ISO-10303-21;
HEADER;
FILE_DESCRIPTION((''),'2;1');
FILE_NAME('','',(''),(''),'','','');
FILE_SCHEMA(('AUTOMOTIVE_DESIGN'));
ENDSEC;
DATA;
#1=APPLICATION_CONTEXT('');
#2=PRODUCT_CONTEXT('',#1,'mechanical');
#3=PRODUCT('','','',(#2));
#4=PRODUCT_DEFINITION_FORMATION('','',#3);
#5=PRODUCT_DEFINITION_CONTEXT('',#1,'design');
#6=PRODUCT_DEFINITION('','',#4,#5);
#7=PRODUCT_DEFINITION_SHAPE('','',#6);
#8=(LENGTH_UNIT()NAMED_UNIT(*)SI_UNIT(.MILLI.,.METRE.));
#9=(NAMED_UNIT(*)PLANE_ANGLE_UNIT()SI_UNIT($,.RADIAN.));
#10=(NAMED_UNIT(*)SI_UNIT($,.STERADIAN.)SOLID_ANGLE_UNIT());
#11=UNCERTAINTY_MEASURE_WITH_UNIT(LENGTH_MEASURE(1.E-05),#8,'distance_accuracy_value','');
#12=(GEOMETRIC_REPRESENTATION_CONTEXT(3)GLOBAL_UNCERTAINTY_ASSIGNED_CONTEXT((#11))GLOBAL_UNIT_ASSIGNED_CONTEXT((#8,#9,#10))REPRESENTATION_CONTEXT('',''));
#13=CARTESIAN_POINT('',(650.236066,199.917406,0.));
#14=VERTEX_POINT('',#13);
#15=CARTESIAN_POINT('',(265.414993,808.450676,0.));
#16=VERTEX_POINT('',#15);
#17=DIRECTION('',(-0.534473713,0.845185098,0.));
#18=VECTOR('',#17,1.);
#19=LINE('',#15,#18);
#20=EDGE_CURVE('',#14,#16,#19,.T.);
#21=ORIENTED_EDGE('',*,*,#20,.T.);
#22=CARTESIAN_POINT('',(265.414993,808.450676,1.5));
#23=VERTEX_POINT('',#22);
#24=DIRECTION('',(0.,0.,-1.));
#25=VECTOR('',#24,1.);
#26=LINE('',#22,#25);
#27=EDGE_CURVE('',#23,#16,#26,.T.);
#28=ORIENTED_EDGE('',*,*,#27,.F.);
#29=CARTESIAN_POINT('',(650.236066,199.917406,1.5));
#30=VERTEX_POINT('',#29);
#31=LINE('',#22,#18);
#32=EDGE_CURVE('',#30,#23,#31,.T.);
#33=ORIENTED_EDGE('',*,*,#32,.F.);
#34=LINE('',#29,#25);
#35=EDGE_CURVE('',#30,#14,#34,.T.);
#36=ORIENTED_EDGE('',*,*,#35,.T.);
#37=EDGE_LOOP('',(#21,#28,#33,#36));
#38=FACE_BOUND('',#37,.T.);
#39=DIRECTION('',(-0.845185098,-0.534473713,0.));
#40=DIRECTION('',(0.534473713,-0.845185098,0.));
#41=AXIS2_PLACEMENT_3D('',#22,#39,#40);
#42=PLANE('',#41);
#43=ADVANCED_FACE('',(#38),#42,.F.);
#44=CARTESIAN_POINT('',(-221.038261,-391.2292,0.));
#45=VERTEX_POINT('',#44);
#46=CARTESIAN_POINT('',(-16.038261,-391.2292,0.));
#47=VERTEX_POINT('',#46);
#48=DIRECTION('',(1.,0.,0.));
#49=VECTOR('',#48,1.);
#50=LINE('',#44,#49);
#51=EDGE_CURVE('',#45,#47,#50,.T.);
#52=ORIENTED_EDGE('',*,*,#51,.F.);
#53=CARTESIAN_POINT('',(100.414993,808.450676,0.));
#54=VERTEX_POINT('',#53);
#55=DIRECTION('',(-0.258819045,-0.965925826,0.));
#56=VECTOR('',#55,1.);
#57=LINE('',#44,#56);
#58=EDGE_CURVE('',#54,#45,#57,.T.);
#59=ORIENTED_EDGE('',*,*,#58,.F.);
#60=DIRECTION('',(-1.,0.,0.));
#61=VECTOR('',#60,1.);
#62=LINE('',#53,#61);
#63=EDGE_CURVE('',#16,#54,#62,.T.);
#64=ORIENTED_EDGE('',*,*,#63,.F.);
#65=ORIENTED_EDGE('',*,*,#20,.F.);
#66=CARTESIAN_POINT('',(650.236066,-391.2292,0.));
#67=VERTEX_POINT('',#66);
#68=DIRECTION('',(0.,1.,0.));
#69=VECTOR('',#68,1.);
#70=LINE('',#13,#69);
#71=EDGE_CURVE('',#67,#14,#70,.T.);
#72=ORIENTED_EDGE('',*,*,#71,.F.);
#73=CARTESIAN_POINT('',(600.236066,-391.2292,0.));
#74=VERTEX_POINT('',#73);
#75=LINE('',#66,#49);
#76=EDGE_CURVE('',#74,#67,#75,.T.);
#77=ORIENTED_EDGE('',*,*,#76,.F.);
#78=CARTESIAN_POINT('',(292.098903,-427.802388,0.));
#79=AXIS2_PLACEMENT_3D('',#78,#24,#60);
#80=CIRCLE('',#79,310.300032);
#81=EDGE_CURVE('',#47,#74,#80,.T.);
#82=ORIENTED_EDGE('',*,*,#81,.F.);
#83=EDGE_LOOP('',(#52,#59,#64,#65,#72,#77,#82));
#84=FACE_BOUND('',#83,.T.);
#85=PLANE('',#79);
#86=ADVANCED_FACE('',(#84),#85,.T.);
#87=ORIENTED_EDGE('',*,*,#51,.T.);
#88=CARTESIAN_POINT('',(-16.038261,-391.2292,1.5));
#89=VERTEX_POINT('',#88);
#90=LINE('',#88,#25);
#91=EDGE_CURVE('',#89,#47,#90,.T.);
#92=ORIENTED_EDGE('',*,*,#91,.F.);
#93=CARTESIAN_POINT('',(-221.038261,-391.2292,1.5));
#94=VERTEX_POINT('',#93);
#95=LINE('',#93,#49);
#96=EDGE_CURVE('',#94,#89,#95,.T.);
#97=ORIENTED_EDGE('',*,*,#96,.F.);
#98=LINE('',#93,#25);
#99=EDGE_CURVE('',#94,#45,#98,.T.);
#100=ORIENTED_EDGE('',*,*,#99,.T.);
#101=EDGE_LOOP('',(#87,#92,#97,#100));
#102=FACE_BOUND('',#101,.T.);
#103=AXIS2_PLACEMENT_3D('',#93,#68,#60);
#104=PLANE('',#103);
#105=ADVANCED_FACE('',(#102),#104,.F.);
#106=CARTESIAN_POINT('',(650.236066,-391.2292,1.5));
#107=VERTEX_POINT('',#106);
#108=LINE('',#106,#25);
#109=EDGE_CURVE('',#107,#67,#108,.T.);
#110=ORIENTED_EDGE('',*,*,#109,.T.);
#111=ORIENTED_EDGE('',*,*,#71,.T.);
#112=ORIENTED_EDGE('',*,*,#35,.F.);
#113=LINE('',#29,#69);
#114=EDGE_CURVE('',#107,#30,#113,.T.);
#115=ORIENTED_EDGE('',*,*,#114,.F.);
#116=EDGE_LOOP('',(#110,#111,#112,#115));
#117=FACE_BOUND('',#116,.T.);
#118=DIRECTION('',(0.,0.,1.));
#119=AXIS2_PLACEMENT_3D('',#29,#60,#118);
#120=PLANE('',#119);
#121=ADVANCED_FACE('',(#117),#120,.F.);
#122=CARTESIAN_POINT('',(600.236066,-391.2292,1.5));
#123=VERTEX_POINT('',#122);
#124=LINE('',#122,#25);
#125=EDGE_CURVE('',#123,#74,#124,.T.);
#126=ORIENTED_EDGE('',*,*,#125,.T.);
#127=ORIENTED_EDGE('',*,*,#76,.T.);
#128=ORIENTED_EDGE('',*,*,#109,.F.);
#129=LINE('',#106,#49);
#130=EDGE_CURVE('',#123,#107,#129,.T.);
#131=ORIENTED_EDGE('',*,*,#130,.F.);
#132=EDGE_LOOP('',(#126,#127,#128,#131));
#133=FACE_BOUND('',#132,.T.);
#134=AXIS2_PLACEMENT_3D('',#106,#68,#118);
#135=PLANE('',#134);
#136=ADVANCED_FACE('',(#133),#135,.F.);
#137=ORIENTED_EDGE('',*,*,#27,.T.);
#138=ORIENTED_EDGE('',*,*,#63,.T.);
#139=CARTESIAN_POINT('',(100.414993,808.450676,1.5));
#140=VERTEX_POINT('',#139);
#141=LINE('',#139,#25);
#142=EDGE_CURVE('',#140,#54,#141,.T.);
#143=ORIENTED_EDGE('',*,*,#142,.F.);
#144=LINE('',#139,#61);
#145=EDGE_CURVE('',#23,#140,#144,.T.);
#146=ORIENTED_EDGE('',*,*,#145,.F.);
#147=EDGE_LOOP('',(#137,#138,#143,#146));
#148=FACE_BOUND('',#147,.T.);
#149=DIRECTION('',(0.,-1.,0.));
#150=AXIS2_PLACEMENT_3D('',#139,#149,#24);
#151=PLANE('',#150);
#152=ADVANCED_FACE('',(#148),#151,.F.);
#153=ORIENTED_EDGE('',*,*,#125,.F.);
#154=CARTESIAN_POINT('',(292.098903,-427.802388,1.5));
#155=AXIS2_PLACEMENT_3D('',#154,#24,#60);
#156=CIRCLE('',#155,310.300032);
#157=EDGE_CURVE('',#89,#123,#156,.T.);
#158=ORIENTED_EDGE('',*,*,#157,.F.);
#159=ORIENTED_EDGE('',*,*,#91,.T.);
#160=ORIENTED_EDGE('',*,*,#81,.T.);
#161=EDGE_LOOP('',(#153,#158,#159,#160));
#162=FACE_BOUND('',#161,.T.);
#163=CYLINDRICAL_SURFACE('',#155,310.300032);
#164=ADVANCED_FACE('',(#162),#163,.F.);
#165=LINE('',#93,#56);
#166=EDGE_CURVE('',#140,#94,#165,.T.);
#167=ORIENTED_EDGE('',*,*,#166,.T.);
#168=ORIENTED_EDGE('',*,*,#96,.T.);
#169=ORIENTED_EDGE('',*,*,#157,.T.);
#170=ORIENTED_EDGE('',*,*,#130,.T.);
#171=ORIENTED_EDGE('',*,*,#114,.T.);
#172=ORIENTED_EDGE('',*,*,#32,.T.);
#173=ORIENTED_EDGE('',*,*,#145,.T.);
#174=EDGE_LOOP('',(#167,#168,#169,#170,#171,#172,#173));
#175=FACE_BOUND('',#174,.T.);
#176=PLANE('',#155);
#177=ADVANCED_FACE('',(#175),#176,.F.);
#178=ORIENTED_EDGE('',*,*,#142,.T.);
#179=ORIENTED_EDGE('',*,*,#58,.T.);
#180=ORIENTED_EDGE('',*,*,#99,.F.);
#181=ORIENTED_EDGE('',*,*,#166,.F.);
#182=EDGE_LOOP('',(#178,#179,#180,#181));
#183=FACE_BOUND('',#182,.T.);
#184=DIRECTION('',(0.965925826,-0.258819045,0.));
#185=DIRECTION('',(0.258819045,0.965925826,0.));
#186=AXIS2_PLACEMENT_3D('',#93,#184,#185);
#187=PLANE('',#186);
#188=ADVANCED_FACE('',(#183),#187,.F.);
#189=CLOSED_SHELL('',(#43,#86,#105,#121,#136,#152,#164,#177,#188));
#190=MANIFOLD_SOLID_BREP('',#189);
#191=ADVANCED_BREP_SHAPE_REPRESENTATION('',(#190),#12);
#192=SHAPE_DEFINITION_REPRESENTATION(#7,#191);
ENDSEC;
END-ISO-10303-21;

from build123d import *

# Parameters (mm, degrees)
BOSS_EXTRUDE1_DEPTH = 1.5


with BuildPart() as part:
    # Sketch1 → Boss-Extrude1 (new body)
    with BuildSketch(Plane.XY):
        with BuildLine():
            Line((100.41499283, 808.450676409), (265.41499283, 808.450676409))
            Line((265.41499283, 808.450676409), (650.236066342, 199.917405846))
            Line((650.236066342, 199.917405846), (650.236066342, -391.229199842))
            Line((650.236066342, -391.229199842), (600.236066342, -391.229199842))
            ThreePointArc((600.236066342, -391.229199842), (292.098902578, -117.502355805), (-16.038261187, -391.229199842))
            Line((-16.038261187, -391.229199842), (-221.038261187, -391.229199842))
            Line((-221.038261187, -391.229199842), (100.41499283, 808.450676409))
        make_face()
    extrude(amount=BOSS_EXTRUDE1_DEPTH)


solid = part.part
